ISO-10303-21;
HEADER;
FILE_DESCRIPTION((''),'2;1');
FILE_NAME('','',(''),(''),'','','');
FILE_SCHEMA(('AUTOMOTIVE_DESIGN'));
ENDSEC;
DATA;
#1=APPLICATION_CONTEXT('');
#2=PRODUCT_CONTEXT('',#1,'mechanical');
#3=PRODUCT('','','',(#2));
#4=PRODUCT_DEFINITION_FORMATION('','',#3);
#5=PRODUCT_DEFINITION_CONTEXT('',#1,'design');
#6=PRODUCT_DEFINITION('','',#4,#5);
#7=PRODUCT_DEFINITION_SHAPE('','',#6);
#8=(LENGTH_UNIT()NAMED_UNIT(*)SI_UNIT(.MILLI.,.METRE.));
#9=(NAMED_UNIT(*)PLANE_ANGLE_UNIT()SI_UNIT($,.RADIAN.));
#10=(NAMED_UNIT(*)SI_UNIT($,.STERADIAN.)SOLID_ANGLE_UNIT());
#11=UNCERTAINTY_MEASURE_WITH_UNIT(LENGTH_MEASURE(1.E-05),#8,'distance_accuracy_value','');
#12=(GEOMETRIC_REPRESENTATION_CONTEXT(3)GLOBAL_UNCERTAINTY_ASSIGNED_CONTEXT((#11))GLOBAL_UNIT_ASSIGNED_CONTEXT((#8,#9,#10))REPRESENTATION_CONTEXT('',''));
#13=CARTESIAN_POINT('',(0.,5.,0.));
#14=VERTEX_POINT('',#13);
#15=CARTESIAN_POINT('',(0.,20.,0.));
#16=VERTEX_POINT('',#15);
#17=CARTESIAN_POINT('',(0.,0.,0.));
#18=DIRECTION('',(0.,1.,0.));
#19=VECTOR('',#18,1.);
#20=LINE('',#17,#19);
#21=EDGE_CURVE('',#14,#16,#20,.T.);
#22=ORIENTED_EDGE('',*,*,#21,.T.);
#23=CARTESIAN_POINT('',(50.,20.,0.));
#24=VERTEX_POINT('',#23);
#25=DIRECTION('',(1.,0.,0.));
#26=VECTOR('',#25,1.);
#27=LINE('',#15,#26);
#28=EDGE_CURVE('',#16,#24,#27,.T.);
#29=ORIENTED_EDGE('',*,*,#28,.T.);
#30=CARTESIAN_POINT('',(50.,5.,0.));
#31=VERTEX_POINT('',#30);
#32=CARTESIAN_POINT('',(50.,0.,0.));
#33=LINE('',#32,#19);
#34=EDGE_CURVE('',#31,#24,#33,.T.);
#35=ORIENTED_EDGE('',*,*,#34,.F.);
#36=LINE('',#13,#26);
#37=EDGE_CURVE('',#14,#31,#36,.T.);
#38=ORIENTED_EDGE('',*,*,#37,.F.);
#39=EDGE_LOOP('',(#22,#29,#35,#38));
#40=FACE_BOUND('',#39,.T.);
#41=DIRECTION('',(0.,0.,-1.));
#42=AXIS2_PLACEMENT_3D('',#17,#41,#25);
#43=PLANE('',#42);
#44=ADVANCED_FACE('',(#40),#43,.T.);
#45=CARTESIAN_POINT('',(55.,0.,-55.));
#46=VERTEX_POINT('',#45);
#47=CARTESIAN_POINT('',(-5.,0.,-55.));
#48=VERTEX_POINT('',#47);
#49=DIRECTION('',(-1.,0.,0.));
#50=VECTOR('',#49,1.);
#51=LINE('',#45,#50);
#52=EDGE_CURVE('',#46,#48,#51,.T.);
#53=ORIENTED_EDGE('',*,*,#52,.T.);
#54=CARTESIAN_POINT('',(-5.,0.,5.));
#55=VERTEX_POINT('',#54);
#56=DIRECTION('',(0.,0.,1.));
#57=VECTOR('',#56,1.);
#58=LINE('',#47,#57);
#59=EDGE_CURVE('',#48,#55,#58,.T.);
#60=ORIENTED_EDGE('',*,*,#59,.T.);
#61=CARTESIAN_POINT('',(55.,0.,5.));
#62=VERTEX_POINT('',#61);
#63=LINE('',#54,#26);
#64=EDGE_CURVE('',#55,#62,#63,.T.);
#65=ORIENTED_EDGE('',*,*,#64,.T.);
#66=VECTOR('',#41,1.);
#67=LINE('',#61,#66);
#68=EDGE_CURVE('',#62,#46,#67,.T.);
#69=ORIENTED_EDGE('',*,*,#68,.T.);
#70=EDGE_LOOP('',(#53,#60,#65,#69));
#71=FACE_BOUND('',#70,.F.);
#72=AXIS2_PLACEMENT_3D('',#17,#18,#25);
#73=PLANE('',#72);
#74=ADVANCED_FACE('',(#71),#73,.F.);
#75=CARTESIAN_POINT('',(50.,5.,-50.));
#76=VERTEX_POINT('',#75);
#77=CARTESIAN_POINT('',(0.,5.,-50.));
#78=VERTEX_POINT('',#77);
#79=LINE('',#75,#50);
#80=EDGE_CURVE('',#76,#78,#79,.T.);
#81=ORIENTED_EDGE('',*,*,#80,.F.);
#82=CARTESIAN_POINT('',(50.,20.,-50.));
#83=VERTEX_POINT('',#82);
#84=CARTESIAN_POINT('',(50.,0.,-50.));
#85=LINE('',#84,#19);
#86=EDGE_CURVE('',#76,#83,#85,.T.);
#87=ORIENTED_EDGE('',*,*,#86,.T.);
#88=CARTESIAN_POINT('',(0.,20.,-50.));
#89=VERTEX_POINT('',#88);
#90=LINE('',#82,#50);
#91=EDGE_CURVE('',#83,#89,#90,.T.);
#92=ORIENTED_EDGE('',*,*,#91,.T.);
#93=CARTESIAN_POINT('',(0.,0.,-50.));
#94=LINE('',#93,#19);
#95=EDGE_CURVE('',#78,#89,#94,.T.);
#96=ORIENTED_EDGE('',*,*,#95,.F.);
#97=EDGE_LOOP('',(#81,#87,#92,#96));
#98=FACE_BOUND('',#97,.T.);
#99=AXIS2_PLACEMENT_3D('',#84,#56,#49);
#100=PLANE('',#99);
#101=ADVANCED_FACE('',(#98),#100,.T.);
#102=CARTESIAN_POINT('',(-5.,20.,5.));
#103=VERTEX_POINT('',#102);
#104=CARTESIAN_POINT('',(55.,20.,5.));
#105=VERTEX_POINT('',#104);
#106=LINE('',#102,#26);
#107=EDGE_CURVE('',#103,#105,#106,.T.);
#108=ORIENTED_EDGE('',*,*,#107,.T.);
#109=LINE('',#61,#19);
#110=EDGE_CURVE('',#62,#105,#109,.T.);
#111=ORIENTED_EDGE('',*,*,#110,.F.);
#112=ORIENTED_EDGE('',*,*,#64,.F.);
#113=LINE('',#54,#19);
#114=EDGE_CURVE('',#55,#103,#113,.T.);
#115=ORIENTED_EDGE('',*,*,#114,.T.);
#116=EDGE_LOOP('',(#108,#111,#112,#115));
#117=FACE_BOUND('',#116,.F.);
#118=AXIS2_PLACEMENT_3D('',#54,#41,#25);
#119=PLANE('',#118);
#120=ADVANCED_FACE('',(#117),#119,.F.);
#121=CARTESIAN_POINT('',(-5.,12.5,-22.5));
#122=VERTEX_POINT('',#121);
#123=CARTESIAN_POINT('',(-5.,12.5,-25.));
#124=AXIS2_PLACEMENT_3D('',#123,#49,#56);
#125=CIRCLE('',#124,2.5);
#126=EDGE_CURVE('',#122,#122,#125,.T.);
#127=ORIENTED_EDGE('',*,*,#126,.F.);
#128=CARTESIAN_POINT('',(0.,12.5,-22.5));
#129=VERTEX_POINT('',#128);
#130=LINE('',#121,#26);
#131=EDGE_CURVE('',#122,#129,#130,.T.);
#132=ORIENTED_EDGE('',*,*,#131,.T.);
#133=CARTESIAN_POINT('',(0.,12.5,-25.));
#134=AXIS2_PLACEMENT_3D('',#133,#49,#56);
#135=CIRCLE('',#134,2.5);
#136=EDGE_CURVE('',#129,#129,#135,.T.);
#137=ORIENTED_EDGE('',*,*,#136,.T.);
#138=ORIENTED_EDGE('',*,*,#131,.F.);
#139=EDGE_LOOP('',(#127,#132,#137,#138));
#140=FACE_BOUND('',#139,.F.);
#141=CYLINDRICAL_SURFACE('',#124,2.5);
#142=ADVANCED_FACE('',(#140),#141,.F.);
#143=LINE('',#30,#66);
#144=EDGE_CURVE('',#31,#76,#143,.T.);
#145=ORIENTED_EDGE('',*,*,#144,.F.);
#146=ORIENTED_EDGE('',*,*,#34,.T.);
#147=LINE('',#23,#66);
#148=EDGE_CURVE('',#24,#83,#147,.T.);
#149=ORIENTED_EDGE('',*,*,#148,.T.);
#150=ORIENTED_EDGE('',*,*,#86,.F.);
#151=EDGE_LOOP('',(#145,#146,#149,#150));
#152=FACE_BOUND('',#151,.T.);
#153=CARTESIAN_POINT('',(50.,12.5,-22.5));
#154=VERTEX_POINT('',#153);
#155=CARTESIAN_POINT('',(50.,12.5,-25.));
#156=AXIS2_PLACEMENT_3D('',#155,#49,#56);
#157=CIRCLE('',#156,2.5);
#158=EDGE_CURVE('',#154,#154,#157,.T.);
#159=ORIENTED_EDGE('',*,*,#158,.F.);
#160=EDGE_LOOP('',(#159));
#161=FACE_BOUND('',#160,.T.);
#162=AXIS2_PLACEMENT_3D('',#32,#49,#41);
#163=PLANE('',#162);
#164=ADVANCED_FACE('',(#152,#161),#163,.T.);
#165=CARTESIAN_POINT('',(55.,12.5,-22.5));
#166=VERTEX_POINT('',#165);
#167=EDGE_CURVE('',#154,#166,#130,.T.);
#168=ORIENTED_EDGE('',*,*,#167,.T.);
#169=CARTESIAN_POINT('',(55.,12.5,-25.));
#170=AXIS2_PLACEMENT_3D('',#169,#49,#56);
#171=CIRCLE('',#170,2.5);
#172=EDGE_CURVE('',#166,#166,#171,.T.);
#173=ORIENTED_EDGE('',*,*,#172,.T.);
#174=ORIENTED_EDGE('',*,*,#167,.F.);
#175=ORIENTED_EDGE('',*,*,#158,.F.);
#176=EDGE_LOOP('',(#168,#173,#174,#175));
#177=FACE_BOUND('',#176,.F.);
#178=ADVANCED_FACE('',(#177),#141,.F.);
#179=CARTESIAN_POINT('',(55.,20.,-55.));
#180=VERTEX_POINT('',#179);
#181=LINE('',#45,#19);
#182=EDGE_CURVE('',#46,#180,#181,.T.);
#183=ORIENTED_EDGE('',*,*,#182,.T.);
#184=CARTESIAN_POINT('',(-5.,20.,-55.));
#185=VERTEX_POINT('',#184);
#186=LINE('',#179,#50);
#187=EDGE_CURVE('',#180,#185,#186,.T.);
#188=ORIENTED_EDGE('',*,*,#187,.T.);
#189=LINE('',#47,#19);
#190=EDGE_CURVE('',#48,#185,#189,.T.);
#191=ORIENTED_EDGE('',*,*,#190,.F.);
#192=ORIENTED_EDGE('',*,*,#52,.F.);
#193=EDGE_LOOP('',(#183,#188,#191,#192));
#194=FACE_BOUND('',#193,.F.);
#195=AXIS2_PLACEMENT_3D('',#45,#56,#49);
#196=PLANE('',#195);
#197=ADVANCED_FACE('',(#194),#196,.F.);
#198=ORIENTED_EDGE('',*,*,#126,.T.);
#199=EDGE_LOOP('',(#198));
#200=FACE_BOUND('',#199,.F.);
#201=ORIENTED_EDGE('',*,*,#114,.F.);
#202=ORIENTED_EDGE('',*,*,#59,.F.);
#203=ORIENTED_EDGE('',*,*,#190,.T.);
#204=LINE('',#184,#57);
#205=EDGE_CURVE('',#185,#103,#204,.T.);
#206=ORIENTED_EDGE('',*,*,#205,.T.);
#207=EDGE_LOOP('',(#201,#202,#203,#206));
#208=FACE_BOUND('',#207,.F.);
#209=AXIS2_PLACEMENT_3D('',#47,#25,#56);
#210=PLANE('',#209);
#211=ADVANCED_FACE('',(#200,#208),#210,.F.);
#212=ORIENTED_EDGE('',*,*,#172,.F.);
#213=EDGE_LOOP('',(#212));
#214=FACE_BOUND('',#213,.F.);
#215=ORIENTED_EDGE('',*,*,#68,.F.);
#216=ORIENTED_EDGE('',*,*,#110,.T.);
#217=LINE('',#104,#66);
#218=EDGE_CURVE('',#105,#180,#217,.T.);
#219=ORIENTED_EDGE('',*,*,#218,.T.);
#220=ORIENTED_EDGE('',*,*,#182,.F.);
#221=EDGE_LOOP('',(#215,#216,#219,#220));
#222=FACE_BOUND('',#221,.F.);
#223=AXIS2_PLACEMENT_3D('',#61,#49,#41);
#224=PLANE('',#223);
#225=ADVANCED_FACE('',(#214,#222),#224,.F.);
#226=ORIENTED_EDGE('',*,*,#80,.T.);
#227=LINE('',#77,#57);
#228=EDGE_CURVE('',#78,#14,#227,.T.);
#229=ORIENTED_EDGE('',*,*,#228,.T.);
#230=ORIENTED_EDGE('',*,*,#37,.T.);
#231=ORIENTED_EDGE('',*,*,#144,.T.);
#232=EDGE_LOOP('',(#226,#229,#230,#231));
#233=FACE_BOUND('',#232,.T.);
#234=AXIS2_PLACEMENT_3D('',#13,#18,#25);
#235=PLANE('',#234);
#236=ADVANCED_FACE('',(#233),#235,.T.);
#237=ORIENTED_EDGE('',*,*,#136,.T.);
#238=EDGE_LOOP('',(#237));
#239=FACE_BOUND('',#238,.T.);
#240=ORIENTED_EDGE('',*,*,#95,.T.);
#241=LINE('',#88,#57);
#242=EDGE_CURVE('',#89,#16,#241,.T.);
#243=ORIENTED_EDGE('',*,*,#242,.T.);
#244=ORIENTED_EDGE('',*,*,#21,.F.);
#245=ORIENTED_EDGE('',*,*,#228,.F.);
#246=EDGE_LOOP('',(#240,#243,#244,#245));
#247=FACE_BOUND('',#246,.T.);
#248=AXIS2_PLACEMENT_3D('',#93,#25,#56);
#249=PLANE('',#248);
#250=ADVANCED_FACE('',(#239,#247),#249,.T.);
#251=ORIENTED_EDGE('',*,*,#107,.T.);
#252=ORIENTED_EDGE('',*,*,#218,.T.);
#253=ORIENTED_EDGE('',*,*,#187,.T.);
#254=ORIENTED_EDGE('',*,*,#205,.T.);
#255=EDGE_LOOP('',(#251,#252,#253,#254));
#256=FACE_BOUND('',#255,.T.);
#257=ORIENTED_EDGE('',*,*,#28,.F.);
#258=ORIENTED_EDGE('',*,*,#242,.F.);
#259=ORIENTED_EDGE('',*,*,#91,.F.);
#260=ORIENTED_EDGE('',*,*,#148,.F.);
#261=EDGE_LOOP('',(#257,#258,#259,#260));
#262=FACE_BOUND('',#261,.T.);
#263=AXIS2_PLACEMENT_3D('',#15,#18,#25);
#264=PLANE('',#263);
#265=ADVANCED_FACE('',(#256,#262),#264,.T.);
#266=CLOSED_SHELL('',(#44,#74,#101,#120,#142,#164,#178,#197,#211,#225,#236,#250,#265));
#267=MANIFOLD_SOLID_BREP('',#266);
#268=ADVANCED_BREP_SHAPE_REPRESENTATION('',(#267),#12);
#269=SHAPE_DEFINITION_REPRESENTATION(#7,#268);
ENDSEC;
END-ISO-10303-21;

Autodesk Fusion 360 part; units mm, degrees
sketch "Sketch1" plane through (0, 0, 0) normal (1, 0, 0) x (0, 0, -1)
sketch "Sketch2" plane through (0, 0, 0) normal (0, 1, 0) x (1, 0, 0)
  line L0 (0, 0) -> (50, 0)
  line L1 (50, 0) -> (50, 50)
  line L2 (50, 50) -> (0, 50)
  line L3 (0, 50) -> (0, 0)
  line L4 (-5, -5) -> (55, -5)
  line L5 (55, -5) -> (55, 55)
  line L6 (55, 55) -> (-5, 55)
  line L7 (-5, 55) -> (-5, -5)
  dimension "d1" = 50
  dimension "d2" = 50
  dimension "d3" = 5
extrude "Extrude1" add sketch "Sketch2" along normal blind 20
extrude "Extrude2" add sketch "Sketch2" along normal blind 5 contours L0 L1 L2 L3
sketch "Sketch3" plane through (-5, 0, 0) normal (-1, 0, 0) x (0, 0, 1)
  line L0 (-55, 0) -> (5, 0)
  line L1 (5, 0) -> (5, 20)
  line L2 (5, 20) -> (-55, 20)
  line L3 (-55, 20) -> (-55, 0)
  line L4 (-25, 20) -> (-25, 12.5) construction
  circle A0 centre (-25, 12.5) radius 2.5
  dimension "d8" = 7.5
  dimension "d9" = 5
extrude "Extrude3" cut sketch "Sketch3" against normal blind 163 contours A0
